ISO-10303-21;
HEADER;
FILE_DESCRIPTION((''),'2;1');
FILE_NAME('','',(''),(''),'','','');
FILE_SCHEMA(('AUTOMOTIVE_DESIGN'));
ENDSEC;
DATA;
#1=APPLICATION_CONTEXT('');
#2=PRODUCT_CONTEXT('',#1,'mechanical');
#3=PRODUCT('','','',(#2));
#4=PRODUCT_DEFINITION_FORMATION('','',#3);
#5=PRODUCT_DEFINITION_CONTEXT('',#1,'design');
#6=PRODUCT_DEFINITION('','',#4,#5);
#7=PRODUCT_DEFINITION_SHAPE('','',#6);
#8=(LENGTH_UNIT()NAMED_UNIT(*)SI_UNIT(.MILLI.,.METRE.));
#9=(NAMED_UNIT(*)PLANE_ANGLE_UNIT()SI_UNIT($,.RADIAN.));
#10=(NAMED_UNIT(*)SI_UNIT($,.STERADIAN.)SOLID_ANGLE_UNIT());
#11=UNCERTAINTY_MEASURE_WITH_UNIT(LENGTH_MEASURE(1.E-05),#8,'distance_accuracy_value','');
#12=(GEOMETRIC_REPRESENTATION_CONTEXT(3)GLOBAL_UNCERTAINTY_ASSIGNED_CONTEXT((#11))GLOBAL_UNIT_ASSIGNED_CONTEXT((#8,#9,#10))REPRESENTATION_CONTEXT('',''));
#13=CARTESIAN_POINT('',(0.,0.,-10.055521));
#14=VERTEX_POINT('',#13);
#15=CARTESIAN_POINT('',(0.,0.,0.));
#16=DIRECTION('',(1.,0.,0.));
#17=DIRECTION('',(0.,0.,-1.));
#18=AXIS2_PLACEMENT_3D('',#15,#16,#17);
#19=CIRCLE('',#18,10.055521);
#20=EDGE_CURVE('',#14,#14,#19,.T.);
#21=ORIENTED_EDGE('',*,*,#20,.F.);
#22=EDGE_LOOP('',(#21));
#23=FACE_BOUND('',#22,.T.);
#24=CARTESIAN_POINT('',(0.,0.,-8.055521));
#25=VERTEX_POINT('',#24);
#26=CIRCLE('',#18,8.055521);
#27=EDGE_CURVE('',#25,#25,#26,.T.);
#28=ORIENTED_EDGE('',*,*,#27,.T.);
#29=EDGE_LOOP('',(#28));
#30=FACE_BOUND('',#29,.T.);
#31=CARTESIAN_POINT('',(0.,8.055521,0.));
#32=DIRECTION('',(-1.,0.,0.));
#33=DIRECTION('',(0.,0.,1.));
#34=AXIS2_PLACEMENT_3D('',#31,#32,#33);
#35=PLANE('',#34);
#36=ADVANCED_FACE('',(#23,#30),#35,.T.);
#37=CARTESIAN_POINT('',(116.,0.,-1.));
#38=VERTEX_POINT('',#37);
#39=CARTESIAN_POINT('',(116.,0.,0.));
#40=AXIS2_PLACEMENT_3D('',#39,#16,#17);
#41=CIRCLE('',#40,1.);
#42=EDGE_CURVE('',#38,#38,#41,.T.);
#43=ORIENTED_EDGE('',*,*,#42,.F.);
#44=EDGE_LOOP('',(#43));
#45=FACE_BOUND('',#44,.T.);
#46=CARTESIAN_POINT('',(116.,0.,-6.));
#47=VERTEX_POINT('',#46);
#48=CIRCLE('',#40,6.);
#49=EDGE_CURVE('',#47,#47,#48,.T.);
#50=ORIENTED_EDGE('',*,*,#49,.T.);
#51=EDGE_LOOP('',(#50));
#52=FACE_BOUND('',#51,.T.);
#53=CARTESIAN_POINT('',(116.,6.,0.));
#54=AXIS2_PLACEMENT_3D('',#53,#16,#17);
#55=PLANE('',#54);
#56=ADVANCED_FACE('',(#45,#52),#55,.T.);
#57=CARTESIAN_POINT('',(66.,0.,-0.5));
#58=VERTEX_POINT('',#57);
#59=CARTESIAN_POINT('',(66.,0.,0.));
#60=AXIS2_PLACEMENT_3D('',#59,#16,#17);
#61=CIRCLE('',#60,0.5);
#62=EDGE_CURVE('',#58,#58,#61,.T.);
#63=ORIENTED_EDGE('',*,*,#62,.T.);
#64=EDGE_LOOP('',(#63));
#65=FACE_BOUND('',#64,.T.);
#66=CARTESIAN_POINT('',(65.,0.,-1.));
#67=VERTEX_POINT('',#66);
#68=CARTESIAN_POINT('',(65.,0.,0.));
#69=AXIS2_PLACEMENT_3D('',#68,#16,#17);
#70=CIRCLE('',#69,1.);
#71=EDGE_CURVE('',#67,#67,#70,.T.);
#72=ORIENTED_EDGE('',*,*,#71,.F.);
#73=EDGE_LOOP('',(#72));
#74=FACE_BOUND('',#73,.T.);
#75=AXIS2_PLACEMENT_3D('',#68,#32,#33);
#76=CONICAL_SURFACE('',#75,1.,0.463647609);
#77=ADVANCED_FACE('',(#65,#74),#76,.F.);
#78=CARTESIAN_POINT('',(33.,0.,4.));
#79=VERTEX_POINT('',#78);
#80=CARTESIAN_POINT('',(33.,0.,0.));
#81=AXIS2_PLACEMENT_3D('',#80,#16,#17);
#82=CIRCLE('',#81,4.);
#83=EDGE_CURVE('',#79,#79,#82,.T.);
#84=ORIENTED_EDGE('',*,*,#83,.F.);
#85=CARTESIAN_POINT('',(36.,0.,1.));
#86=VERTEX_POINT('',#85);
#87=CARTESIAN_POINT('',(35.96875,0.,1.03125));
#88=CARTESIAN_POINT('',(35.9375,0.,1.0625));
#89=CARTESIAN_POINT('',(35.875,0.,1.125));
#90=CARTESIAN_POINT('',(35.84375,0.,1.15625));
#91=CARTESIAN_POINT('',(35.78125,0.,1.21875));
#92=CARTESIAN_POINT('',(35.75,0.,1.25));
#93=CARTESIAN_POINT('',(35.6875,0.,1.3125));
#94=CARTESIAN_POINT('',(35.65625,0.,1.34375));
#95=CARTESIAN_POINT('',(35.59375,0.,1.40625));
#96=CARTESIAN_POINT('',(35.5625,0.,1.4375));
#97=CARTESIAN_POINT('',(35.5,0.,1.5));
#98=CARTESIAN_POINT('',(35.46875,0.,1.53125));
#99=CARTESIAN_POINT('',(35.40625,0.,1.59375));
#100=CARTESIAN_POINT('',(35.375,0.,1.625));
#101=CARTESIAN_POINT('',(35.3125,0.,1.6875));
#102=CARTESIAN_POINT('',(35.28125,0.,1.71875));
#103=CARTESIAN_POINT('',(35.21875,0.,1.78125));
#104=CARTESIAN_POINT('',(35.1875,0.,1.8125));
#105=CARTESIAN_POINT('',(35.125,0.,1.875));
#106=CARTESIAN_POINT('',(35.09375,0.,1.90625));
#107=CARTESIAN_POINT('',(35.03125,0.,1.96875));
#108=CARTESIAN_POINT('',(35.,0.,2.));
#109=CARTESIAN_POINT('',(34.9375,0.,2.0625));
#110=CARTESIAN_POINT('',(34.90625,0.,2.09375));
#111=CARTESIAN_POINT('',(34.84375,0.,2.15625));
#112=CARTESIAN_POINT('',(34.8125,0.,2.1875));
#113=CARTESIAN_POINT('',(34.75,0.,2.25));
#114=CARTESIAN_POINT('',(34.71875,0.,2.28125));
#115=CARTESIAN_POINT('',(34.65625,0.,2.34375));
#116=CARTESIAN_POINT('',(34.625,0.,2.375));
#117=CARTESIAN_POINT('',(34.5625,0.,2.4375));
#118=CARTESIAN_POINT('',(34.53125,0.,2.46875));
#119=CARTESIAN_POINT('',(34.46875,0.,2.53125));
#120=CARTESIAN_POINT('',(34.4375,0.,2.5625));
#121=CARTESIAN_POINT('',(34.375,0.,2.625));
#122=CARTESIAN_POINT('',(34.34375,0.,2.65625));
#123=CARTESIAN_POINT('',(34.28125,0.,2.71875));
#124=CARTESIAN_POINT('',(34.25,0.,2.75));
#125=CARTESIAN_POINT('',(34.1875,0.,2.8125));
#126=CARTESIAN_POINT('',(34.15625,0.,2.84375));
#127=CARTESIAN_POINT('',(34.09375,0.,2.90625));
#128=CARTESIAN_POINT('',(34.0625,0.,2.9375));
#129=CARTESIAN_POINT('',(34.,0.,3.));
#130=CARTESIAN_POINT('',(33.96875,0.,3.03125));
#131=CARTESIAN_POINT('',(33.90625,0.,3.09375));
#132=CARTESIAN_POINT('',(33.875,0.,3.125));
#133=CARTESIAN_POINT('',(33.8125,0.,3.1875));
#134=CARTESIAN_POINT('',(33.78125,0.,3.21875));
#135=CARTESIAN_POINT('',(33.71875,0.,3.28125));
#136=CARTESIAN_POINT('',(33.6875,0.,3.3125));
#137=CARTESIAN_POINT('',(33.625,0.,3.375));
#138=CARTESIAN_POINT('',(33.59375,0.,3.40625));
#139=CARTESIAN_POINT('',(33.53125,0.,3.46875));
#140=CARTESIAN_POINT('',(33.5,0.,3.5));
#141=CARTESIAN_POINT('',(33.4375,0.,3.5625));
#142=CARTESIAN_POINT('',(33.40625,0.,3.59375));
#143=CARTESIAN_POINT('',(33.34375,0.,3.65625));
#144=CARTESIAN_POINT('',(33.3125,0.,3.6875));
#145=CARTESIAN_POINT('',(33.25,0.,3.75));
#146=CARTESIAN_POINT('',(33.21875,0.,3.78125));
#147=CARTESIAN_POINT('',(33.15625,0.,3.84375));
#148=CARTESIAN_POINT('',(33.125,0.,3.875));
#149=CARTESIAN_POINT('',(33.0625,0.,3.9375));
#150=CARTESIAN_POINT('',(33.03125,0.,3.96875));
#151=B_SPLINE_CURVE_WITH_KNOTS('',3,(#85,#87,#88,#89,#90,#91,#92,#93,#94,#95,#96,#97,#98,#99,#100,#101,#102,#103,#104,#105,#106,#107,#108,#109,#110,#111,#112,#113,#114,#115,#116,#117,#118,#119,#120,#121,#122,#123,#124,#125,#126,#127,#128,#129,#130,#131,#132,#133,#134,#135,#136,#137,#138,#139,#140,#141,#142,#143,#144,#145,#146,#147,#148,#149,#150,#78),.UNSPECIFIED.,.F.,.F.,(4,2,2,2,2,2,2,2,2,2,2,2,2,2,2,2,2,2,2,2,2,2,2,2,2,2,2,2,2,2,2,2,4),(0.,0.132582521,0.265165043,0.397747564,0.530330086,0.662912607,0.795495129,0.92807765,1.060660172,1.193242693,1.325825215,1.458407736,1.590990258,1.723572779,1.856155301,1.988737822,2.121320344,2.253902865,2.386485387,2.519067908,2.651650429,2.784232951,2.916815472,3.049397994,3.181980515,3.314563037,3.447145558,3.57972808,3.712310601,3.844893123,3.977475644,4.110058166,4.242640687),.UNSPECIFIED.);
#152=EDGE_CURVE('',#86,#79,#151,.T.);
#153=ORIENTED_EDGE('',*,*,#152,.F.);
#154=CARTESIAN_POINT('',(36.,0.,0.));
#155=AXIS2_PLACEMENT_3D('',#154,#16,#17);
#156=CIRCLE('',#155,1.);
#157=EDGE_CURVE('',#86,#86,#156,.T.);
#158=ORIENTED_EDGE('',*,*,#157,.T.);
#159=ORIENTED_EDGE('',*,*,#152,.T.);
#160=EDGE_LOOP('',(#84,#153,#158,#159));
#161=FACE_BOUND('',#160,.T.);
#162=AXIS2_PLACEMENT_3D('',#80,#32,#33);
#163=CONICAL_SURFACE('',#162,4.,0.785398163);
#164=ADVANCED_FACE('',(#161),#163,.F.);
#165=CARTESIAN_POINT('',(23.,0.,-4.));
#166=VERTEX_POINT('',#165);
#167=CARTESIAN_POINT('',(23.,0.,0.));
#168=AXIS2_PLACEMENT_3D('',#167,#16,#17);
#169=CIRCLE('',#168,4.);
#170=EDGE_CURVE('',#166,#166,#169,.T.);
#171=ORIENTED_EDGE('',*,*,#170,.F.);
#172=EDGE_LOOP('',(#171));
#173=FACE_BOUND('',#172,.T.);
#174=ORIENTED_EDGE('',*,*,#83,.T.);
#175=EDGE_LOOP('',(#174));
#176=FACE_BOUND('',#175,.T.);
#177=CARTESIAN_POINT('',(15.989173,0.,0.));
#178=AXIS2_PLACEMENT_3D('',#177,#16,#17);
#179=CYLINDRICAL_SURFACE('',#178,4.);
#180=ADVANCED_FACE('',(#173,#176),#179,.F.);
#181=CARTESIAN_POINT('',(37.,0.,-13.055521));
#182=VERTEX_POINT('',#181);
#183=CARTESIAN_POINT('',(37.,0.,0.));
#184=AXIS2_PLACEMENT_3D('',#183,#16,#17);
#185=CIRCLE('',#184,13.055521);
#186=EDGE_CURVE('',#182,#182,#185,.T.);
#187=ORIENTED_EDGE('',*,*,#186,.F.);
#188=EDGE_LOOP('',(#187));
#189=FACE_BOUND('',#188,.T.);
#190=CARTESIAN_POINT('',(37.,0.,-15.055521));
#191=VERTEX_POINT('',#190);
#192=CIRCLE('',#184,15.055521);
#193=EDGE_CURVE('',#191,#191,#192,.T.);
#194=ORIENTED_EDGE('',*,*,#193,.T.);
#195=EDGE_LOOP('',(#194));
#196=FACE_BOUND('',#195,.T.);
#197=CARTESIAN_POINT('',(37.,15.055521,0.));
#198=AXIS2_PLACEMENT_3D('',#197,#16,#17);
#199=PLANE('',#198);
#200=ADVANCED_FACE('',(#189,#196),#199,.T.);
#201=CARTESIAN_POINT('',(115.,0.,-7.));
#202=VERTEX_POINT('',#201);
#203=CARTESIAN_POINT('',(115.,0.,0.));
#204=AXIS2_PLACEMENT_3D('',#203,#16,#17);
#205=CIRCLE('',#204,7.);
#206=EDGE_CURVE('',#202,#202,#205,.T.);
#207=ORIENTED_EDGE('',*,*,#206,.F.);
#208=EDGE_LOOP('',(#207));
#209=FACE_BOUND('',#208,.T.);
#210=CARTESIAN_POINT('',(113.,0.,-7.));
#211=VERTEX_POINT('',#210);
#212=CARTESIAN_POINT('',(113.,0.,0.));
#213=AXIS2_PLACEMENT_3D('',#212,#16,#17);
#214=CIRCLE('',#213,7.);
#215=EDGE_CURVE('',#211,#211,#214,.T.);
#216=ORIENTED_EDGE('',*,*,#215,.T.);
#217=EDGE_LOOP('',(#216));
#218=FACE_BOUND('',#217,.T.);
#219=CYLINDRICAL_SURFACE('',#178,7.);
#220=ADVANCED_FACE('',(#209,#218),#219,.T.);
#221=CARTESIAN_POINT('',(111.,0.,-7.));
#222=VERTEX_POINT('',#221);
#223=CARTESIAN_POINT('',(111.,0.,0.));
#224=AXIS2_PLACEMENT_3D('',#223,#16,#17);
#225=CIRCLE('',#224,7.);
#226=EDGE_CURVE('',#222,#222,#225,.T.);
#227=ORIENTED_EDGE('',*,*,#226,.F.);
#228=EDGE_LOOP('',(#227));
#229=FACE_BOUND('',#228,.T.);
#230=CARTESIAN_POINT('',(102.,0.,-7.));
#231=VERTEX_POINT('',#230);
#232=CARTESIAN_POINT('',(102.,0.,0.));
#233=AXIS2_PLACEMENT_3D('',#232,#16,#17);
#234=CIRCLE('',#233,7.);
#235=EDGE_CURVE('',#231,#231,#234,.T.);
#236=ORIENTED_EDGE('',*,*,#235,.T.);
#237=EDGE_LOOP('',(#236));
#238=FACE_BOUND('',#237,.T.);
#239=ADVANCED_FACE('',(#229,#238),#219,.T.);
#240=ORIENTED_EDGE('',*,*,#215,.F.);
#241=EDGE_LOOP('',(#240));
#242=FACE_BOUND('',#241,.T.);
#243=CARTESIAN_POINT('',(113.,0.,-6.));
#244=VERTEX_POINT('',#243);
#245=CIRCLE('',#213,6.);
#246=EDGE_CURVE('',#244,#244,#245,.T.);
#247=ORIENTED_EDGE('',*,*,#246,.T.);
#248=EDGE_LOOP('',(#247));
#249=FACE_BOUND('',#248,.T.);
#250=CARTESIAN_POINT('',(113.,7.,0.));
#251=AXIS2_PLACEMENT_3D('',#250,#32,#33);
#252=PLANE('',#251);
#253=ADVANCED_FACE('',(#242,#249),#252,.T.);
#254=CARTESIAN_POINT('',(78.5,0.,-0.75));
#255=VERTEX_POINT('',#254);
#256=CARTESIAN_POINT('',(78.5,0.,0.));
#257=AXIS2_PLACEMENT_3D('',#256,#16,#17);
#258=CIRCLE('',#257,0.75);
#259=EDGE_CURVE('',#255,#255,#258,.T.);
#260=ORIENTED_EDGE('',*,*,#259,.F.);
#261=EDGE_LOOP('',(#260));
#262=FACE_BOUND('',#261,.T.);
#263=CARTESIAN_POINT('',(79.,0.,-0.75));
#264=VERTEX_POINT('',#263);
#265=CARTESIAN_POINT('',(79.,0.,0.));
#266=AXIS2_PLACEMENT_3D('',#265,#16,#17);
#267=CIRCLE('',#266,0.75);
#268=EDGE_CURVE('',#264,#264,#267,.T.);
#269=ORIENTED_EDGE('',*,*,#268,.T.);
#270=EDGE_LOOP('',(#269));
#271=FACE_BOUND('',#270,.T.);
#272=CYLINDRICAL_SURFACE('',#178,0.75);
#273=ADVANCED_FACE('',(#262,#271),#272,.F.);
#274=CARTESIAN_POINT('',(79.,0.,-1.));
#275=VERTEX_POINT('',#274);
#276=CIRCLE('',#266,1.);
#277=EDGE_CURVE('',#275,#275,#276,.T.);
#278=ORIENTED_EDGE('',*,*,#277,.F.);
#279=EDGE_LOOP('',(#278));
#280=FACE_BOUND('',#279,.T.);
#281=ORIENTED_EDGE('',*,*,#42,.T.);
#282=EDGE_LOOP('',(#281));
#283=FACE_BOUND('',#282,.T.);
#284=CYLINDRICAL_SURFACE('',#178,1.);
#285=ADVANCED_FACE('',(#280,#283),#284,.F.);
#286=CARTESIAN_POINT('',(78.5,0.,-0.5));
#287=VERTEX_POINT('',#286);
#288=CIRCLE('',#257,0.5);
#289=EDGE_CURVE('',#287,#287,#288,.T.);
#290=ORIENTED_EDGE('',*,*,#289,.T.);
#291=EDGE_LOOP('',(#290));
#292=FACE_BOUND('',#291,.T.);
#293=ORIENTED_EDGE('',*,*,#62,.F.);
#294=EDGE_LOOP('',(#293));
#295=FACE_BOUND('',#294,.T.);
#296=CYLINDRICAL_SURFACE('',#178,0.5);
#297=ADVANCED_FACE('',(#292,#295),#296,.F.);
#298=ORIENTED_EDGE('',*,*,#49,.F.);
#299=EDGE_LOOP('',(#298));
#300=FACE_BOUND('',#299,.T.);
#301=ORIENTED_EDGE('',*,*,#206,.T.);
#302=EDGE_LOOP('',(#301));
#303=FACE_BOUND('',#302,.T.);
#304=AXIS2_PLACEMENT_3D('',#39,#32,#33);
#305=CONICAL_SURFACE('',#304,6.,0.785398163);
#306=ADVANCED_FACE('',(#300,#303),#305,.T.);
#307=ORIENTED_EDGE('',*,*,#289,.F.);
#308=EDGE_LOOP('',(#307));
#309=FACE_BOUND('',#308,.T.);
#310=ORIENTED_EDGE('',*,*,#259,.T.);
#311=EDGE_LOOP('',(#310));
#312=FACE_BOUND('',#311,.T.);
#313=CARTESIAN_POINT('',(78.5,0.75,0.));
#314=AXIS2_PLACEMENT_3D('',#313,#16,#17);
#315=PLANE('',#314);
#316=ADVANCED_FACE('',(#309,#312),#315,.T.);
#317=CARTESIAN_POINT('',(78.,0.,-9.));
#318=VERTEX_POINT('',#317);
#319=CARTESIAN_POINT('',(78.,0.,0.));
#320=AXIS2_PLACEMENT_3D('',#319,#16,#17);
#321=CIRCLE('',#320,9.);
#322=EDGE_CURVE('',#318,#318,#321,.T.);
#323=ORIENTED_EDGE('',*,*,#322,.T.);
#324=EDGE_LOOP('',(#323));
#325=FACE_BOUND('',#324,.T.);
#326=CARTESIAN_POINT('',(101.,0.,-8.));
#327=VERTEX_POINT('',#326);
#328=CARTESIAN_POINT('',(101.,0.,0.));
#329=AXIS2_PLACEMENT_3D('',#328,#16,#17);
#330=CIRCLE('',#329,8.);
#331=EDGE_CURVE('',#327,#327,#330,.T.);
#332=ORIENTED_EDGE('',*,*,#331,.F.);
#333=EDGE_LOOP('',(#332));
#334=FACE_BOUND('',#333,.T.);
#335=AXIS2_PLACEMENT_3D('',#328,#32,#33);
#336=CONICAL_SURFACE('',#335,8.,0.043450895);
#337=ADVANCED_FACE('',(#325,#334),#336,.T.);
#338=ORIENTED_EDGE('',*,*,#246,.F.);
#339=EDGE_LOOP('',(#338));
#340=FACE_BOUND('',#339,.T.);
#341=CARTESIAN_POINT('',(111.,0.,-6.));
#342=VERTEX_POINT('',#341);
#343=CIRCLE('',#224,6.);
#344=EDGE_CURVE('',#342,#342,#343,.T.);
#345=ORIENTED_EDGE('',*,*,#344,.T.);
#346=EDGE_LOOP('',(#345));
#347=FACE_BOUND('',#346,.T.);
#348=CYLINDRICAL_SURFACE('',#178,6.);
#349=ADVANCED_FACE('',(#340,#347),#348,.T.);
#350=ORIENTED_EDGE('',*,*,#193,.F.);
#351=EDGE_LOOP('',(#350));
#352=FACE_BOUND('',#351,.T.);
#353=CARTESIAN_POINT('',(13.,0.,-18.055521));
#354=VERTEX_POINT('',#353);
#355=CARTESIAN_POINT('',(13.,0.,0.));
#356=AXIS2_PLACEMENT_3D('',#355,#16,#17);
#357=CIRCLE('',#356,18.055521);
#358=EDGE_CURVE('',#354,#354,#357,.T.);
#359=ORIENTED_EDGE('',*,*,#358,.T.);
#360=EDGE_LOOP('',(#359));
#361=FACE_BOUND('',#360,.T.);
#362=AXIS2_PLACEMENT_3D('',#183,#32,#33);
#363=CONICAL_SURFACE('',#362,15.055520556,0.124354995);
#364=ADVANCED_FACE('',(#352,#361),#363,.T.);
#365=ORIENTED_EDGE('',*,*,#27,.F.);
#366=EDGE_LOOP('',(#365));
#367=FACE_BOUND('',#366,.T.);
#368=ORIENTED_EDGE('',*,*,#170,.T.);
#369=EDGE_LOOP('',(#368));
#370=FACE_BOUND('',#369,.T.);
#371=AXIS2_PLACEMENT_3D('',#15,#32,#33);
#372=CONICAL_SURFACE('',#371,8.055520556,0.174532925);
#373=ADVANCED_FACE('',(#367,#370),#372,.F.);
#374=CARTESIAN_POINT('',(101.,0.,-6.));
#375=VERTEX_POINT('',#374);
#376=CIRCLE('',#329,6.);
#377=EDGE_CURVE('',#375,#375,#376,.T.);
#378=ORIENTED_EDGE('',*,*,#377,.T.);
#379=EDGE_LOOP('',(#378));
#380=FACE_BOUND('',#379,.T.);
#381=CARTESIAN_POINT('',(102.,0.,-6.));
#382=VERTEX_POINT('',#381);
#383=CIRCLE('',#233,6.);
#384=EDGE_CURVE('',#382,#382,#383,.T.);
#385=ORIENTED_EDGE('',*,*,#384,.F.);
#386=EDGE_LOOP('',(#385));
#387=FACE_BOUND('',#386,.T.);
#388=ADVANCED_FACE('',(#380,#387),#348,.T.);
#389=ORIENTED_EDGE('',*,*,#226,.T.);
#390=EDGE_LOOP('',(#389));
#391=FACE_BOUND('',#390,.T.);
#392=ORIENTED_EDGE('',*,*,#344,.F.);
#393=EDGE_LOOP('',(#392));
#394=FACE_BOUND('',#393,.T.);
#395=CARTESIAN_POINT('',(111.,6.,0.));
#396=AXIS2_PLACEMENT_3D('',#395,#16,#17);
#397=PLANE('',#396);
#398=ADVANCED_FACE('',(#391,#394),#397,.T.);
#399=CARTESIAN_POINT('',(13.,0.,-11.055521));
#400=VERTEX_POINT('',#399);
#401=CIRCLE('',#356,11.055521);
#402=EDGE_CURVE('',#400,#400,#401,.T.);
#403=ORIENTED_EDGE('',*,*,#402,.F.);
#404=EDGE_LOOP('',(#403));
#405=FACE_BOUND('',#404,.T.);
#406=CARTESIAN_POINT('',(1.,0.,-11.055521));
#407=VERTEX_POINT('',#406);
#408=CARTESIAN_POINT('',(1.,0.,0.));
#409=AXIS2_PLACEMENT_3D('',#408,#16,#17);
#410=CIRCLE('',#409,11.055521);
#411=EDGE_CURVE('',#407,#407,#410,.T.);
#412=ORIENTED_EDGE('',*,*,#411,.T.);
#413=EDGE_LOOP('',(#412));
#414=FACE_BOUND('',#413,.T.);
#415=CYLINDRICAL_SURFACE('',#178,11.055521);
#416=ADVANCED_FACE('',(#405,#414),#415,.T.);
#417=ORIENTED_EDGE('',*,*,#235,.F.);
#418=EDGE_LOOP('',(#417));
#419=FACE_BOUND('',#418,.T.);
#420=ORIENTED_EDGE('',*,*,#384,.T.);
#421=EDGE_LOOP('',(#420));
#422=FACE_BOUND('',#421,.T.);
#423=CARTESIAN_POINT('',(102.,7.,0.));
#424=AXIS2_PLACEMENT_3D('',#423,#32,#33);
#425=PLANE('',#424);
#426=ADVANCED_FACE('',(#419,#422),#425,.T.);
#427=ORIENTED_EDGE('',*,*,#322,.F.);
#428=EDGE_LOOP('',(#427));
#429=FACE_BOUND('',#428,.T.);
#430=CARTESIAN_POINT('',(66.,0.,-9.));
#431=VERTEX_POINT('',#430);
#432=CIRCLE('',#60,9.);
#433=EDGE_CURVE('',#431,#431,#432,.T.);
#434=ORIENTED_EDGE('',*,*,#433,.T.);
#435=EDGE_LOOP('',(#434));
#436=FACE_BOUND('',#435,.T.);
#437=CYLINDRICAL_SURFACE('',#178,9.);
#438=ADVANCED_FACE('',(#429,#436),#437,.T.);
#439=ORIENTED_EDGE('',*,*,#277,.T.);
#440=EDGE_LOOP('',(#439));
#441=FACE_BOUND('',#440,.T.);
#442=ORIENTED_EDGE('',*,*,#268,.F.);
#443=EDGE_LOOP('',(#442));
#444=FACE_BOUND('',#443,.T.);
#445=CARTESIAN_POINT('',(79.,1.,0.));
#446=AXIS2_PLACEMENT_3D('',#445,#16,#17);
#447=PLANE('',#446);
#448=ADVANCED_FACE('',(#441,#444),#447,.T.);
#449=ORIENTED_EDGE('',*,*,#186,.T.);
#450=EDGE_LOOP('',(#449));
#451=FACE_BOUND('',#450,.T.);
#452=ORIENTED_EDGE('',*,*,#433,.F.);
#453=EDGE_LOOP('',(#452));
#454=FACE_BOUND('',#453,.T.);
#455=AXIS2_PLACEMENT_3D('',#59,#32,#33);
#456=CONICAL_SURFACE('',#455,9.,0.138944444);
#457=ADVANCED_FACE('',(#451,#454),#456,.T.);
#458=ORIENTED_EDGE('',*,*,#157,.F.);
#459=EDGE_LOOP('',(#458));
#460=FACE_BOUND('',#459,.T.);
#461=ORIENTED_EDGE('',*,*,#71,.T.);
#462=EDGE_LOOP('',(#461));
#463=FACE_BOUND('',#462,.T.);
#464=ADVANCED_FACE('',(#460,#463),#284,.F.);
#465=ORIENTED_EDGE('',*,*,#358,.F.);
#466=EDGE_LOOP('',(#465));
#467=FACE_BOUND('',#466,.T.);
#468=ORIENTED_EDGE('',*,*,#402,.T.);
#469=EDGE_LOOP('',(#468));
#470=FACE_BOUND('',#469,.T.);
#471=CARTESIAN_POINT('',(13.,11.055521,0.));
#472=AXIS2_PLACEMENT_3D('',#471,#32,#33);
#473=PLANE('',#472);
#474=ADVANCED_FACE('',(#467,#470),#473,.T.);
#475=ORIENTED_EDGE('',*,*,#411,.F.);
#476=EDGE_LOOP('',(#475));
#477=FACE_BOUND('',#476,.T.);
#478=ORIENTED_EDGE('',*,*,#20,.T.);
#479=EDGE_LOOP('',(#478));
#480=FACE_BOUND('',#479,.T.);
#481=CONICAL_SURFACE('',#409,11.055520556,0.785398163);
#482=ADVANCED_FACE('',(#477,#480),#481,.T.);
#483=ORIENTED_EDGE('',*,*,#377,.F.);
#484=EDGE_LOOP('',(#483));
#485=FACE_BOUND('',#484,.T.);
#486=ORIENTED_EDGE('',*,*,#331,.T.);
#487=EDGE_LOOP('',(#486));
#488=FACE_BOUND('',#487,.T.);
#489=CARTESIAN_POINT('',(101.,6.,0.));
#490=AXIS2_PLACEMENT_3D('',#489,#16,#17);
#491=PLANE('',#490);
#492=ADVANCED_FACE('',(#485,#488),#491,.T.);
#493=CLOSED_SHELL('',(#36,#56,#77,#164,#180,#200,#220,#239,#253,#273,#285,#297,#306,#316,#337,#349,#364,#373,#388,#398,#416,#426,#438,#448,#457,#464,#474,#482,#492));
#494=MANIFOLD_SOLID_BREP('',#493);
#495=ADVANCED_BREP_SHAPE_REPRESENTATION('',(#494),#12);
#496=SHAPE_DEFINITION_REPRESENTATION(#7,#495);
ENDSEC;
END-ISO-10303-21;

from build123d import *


with BuildPart() as part:
    # Esquisse1 → Révolution1 (revolve)
    with BuildSketch(Plane.XY, mode=Mode.PRIVATE) as r_volution1_sk:
        Polygon((116, 6), (115, 7), (113, 7), (113, 6), (111, 6), (111, 7), (102, 7), (102, 6), (101, 6), (101, 8), (78, 9), (66, 9), (37, 13.055520556), (37, 15.055520556), (13, 18.055520556), (13, 11.055520556), (1, 11.055520556), (0, 10.055520556), (0, 8.055520556), (23, 4), (33, 4), (36, 1), (65, 1), (66, 0.5), (78.5, 0.5), (78.5, 0.75), (79, 0.75), (79, 1), (116, 1), align=None)
    revolve(r_volution1_sk.sketch.rotate(Axis((15.989172968, 0, 0), (-1, 0, 0)), 90), axis=Axis((15.989172968, 0, 0), (-1, 0, 0)))


solid = part.part
